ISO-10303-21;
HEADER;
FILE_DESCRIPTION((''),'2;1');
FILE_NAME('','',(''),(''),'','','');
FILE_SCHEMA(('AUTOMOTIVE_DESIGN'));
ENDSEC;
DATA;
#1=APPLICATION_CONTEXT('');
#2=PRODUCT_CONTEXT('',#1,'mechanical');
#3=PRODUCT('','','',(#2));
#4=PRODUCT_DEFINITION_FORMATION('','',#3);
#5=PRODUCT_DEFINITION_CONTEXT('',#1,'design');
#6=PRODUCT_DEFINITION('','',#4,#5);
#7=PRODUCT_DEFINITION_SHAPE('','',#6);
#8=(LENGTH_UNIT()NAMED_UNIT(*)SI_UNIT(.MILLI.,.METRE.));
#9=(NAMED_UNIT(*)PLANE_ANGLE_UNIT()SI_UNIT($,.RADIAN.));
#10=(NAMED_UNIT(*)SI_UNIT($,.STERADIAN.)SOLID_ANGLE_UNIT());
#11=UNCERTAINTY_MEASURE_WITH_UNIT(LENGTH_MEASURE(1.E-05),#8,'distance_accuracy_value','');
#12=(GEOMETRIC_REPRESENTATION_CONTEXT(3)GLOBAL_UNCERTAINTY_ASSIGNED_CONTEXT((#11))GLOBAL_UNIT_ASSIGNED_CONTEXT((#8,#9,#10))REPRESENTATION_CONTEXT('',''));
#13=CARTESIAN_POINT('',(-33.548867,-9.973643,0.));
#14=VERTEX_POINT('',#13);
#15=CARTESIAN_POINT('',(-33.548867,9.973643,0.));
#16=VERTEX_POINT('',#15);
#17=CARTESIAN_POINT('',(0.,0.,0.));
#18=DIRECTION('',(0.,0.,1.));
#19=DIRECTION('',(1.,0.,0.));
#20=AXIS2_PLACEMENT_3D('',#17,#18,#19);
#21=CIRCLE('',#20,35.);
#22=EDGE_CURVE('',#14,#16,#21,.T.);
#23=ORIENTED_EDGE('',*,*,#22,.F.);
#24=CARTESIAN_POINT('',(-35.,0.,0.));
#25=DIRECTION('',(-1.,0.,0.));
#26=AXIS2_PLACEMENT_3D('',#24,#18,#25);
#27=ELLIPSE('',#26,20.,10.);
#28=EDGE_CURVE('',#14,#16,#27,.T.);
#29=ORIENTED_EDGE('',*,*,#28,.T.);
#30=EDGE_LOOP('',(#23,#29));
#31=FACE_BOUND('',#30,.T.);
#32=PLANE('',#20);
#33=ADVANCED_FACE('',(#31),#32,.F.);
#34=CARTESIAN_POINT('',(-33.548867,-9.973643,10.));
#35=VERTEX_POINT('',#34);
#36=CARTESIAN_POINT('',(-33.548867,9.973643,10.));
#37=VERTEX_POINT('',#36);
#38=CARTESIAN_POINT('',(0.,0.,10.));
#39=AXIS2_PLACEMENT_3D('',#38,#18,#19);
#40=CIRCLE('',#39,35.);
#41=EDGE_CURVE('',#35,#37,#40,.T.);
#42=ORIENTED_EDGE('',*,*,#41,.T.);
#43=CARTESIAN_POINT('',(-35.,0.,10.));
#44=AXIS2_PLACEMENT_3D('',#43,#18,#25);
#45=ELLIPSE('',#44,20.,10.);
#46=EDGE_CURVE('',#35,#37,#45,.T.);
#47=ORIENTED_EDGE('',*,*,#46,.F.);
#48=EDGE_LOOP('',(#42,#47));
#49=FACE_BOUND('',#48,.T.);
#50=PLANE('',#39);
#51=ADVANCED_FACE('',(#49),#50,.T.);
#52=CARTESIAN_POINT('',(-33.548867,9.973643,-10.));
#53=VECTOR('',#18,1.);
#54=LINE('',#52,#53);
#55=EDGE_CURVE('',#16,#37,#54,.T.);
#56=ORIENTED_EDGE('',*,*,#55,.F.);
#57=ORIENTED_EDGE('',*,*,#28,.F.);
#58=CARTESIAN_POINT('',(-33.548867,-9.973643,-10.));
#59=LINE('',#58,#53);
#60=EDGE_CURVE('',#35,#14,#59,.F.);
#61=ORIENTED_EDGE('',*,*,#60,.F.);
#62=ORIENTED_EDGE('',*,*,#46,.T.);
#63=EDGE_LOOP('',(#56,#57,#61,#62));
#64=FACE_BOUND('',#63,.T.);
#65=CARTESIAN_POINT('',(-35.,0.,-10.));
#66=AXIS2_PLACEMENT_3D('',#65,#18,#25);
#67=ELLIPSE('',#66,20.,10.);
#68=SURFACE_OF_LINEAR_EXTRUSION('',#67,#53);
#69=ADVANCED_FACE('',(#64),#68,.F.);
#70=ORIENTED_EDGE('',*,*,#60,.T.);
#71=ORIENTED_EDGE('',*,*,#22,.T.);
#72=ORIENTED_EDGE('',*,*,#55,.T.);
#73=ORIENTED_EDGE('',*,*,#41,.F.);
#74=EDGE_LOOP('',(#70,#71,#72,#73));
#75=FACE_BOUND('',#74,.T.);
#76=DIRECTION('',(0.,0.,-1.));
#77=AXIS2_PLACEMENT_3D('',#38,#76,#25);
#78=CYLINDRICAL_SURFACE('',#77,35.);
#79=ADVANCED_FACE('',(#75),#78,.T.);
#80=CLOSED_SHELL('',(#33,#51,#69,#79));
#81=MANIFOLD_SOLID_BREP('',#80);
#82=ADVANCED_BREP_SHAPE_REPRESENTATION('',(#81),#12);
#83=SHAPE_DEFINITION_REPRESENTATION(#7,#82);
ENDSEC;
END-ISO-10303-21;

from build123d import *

# Parameters (mm, degrees)
SKETCH1_R           = 35
BOSS_EXTRUDE1_DEPTH = 10
SKETCH2_RX          = 20
SKETCH2_RY          = 10
CUT_EXTRUDE1_DEPTH  = 20


with BuildPart() as part:
    # Sketch1 → Boss-Extrude1 (new body)
    with BuildSketch(Plane.XY):
        Circle(SKETCH1_R)
    extrude(amount=BOSS_EXTRUDE1_DEPTH)

    # Sketch2 → Cut-Extrude1 (cut)
    with BuildSketch(Plane.XY.offset(10)):
        with Locations(Location((-35, 0), (0, 0, 0))):
            Ellipse(SKETCH2_RX, SKETCH2_RY)
    extrude(amount=-CUT_EXTRUDE1_DEPTH, mode=Mode.SUBTRACT)


solid = part.part
